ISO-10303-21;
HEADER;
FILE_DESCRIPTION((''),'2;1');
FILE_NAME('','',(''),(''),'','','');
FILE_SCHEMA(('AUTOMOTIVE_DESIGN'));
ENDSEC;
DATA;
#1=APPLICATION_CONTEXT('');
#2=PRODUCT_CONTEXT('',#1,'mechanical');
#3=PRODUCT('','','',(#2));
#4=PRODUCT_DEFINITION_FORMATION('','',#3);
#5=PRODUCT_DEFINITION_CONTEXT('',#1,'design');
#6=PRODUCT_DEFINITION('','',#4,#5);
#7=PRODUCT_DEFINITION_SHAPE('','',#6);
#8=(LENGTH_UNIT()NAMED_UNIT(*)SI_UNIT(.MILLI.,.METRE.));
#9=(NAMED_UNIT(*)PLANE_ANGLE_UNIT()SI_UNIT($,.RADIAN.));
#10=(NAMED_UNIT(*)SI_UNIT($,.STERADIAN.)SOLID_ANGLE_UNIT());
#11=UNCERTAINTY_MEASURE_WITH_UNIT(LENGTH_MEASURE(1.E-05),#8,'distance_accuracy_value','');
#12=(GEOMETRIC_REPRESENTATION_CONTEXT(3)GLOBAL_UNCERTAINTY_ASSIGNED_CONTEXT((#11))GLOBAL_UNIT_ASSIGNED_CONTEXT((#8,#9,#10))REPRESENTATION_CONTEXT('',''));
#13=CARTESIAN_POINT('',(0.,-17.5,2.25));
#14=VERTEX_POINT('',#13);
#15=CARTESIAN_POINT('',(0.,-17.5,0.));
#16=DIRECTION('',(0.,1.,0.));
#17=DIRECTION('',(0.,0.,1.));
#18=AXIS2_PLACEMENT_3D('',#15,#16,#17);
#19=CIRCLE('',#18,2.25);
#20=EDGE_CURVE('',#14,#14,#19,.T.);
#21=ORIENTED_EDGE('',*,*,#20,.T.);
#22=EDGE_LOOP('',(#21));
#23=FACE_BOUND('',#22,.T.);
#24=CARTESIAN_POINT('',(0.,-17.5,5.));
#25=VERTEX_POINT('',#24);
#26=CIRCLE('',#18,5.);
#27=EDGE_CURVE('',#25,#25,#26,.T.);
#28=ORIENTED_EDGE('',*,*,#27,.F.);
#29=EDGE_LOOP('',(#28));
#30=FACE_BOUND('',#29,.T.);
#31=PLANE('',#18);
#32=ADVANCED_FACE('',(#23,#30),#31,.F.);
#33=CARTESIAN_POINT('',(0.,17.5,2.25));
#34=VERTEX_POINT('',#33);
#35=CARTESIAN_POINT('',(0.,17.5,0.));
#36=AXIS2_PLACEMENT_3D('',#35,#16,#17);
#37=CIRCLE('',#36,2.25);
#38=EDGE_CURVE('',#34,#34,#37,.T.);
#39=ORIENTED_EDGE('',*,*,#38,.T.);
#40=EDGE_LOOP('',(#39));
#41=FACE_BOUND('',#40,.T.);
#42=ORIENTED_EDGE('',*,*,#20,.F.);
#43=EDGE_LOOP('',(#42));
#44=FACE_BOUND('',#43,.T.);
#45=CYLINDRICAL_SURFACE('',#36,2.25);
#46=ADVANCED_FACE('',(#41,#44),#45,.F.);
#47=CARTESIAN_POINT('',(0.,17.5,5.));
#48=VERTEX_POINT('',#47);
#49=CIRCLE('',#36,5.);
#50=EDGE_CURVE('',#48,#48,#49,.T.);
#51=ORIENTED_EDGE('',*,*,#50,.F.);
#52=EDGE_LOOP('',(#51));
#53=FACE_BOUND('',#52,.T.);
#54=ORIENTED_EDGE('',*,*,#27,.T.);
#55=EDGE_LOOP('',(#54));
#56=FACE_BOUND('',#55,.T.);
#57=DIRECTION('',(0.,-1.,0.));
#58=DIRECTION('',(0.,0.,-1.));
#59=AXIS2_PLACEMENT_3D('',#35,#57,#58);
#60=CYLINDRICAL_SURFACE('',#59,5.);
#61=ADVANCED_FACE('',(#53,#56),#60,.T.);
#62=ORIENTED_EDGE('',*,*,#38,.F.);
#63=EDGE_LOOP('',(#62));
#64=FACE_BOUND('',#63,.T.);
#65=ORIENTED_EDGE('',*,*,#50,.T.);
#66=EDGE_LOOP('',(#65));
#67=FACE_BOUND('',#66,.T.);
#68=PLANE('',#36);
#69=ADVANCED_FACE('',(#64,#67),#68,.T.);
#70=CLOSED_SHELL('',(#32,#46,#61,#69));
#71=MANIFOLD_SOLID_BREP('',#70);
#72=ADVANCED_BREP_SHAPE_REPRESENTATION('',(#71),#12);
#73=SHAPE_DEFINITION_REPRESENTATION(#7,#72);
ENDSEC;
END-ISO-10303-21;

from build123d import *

# Parameters (mm, degrees)
CROQUIS1_R                   = 5
SALIENTE_EXTRUIR1_DEPTH      = 17.5
TALADRO_DE_MARGEN_PARA_M41_D = 4.5


with BuildPart() as part:
    # Croquis1 → Saliente-Extruir1 (new, symmetric)
    with BuildSketch(Plane(origin=(0, 0, 0), x_dir=(1, 0, 0), z_dir=(0, 1, 0))):
        with Locations(Location((0, 0, 0), (0, 0, 270))):
            Circle(CROQUIS1_R)
    extrude(amount=SALIENTE_EXTRUIR1_DEPTH, both=True)

    # Taladro de margen para M41 (through all)
    with Locations(Plane(origin=(0, 17.5, 0), x_dir=(1, 0, 0), z_dir=(0, 1, 0))):
        with Locations((0, 0)):
            Hole(TALADRO_DE_MARGEN_PARA_M41_D / 2)


solid = part.part
